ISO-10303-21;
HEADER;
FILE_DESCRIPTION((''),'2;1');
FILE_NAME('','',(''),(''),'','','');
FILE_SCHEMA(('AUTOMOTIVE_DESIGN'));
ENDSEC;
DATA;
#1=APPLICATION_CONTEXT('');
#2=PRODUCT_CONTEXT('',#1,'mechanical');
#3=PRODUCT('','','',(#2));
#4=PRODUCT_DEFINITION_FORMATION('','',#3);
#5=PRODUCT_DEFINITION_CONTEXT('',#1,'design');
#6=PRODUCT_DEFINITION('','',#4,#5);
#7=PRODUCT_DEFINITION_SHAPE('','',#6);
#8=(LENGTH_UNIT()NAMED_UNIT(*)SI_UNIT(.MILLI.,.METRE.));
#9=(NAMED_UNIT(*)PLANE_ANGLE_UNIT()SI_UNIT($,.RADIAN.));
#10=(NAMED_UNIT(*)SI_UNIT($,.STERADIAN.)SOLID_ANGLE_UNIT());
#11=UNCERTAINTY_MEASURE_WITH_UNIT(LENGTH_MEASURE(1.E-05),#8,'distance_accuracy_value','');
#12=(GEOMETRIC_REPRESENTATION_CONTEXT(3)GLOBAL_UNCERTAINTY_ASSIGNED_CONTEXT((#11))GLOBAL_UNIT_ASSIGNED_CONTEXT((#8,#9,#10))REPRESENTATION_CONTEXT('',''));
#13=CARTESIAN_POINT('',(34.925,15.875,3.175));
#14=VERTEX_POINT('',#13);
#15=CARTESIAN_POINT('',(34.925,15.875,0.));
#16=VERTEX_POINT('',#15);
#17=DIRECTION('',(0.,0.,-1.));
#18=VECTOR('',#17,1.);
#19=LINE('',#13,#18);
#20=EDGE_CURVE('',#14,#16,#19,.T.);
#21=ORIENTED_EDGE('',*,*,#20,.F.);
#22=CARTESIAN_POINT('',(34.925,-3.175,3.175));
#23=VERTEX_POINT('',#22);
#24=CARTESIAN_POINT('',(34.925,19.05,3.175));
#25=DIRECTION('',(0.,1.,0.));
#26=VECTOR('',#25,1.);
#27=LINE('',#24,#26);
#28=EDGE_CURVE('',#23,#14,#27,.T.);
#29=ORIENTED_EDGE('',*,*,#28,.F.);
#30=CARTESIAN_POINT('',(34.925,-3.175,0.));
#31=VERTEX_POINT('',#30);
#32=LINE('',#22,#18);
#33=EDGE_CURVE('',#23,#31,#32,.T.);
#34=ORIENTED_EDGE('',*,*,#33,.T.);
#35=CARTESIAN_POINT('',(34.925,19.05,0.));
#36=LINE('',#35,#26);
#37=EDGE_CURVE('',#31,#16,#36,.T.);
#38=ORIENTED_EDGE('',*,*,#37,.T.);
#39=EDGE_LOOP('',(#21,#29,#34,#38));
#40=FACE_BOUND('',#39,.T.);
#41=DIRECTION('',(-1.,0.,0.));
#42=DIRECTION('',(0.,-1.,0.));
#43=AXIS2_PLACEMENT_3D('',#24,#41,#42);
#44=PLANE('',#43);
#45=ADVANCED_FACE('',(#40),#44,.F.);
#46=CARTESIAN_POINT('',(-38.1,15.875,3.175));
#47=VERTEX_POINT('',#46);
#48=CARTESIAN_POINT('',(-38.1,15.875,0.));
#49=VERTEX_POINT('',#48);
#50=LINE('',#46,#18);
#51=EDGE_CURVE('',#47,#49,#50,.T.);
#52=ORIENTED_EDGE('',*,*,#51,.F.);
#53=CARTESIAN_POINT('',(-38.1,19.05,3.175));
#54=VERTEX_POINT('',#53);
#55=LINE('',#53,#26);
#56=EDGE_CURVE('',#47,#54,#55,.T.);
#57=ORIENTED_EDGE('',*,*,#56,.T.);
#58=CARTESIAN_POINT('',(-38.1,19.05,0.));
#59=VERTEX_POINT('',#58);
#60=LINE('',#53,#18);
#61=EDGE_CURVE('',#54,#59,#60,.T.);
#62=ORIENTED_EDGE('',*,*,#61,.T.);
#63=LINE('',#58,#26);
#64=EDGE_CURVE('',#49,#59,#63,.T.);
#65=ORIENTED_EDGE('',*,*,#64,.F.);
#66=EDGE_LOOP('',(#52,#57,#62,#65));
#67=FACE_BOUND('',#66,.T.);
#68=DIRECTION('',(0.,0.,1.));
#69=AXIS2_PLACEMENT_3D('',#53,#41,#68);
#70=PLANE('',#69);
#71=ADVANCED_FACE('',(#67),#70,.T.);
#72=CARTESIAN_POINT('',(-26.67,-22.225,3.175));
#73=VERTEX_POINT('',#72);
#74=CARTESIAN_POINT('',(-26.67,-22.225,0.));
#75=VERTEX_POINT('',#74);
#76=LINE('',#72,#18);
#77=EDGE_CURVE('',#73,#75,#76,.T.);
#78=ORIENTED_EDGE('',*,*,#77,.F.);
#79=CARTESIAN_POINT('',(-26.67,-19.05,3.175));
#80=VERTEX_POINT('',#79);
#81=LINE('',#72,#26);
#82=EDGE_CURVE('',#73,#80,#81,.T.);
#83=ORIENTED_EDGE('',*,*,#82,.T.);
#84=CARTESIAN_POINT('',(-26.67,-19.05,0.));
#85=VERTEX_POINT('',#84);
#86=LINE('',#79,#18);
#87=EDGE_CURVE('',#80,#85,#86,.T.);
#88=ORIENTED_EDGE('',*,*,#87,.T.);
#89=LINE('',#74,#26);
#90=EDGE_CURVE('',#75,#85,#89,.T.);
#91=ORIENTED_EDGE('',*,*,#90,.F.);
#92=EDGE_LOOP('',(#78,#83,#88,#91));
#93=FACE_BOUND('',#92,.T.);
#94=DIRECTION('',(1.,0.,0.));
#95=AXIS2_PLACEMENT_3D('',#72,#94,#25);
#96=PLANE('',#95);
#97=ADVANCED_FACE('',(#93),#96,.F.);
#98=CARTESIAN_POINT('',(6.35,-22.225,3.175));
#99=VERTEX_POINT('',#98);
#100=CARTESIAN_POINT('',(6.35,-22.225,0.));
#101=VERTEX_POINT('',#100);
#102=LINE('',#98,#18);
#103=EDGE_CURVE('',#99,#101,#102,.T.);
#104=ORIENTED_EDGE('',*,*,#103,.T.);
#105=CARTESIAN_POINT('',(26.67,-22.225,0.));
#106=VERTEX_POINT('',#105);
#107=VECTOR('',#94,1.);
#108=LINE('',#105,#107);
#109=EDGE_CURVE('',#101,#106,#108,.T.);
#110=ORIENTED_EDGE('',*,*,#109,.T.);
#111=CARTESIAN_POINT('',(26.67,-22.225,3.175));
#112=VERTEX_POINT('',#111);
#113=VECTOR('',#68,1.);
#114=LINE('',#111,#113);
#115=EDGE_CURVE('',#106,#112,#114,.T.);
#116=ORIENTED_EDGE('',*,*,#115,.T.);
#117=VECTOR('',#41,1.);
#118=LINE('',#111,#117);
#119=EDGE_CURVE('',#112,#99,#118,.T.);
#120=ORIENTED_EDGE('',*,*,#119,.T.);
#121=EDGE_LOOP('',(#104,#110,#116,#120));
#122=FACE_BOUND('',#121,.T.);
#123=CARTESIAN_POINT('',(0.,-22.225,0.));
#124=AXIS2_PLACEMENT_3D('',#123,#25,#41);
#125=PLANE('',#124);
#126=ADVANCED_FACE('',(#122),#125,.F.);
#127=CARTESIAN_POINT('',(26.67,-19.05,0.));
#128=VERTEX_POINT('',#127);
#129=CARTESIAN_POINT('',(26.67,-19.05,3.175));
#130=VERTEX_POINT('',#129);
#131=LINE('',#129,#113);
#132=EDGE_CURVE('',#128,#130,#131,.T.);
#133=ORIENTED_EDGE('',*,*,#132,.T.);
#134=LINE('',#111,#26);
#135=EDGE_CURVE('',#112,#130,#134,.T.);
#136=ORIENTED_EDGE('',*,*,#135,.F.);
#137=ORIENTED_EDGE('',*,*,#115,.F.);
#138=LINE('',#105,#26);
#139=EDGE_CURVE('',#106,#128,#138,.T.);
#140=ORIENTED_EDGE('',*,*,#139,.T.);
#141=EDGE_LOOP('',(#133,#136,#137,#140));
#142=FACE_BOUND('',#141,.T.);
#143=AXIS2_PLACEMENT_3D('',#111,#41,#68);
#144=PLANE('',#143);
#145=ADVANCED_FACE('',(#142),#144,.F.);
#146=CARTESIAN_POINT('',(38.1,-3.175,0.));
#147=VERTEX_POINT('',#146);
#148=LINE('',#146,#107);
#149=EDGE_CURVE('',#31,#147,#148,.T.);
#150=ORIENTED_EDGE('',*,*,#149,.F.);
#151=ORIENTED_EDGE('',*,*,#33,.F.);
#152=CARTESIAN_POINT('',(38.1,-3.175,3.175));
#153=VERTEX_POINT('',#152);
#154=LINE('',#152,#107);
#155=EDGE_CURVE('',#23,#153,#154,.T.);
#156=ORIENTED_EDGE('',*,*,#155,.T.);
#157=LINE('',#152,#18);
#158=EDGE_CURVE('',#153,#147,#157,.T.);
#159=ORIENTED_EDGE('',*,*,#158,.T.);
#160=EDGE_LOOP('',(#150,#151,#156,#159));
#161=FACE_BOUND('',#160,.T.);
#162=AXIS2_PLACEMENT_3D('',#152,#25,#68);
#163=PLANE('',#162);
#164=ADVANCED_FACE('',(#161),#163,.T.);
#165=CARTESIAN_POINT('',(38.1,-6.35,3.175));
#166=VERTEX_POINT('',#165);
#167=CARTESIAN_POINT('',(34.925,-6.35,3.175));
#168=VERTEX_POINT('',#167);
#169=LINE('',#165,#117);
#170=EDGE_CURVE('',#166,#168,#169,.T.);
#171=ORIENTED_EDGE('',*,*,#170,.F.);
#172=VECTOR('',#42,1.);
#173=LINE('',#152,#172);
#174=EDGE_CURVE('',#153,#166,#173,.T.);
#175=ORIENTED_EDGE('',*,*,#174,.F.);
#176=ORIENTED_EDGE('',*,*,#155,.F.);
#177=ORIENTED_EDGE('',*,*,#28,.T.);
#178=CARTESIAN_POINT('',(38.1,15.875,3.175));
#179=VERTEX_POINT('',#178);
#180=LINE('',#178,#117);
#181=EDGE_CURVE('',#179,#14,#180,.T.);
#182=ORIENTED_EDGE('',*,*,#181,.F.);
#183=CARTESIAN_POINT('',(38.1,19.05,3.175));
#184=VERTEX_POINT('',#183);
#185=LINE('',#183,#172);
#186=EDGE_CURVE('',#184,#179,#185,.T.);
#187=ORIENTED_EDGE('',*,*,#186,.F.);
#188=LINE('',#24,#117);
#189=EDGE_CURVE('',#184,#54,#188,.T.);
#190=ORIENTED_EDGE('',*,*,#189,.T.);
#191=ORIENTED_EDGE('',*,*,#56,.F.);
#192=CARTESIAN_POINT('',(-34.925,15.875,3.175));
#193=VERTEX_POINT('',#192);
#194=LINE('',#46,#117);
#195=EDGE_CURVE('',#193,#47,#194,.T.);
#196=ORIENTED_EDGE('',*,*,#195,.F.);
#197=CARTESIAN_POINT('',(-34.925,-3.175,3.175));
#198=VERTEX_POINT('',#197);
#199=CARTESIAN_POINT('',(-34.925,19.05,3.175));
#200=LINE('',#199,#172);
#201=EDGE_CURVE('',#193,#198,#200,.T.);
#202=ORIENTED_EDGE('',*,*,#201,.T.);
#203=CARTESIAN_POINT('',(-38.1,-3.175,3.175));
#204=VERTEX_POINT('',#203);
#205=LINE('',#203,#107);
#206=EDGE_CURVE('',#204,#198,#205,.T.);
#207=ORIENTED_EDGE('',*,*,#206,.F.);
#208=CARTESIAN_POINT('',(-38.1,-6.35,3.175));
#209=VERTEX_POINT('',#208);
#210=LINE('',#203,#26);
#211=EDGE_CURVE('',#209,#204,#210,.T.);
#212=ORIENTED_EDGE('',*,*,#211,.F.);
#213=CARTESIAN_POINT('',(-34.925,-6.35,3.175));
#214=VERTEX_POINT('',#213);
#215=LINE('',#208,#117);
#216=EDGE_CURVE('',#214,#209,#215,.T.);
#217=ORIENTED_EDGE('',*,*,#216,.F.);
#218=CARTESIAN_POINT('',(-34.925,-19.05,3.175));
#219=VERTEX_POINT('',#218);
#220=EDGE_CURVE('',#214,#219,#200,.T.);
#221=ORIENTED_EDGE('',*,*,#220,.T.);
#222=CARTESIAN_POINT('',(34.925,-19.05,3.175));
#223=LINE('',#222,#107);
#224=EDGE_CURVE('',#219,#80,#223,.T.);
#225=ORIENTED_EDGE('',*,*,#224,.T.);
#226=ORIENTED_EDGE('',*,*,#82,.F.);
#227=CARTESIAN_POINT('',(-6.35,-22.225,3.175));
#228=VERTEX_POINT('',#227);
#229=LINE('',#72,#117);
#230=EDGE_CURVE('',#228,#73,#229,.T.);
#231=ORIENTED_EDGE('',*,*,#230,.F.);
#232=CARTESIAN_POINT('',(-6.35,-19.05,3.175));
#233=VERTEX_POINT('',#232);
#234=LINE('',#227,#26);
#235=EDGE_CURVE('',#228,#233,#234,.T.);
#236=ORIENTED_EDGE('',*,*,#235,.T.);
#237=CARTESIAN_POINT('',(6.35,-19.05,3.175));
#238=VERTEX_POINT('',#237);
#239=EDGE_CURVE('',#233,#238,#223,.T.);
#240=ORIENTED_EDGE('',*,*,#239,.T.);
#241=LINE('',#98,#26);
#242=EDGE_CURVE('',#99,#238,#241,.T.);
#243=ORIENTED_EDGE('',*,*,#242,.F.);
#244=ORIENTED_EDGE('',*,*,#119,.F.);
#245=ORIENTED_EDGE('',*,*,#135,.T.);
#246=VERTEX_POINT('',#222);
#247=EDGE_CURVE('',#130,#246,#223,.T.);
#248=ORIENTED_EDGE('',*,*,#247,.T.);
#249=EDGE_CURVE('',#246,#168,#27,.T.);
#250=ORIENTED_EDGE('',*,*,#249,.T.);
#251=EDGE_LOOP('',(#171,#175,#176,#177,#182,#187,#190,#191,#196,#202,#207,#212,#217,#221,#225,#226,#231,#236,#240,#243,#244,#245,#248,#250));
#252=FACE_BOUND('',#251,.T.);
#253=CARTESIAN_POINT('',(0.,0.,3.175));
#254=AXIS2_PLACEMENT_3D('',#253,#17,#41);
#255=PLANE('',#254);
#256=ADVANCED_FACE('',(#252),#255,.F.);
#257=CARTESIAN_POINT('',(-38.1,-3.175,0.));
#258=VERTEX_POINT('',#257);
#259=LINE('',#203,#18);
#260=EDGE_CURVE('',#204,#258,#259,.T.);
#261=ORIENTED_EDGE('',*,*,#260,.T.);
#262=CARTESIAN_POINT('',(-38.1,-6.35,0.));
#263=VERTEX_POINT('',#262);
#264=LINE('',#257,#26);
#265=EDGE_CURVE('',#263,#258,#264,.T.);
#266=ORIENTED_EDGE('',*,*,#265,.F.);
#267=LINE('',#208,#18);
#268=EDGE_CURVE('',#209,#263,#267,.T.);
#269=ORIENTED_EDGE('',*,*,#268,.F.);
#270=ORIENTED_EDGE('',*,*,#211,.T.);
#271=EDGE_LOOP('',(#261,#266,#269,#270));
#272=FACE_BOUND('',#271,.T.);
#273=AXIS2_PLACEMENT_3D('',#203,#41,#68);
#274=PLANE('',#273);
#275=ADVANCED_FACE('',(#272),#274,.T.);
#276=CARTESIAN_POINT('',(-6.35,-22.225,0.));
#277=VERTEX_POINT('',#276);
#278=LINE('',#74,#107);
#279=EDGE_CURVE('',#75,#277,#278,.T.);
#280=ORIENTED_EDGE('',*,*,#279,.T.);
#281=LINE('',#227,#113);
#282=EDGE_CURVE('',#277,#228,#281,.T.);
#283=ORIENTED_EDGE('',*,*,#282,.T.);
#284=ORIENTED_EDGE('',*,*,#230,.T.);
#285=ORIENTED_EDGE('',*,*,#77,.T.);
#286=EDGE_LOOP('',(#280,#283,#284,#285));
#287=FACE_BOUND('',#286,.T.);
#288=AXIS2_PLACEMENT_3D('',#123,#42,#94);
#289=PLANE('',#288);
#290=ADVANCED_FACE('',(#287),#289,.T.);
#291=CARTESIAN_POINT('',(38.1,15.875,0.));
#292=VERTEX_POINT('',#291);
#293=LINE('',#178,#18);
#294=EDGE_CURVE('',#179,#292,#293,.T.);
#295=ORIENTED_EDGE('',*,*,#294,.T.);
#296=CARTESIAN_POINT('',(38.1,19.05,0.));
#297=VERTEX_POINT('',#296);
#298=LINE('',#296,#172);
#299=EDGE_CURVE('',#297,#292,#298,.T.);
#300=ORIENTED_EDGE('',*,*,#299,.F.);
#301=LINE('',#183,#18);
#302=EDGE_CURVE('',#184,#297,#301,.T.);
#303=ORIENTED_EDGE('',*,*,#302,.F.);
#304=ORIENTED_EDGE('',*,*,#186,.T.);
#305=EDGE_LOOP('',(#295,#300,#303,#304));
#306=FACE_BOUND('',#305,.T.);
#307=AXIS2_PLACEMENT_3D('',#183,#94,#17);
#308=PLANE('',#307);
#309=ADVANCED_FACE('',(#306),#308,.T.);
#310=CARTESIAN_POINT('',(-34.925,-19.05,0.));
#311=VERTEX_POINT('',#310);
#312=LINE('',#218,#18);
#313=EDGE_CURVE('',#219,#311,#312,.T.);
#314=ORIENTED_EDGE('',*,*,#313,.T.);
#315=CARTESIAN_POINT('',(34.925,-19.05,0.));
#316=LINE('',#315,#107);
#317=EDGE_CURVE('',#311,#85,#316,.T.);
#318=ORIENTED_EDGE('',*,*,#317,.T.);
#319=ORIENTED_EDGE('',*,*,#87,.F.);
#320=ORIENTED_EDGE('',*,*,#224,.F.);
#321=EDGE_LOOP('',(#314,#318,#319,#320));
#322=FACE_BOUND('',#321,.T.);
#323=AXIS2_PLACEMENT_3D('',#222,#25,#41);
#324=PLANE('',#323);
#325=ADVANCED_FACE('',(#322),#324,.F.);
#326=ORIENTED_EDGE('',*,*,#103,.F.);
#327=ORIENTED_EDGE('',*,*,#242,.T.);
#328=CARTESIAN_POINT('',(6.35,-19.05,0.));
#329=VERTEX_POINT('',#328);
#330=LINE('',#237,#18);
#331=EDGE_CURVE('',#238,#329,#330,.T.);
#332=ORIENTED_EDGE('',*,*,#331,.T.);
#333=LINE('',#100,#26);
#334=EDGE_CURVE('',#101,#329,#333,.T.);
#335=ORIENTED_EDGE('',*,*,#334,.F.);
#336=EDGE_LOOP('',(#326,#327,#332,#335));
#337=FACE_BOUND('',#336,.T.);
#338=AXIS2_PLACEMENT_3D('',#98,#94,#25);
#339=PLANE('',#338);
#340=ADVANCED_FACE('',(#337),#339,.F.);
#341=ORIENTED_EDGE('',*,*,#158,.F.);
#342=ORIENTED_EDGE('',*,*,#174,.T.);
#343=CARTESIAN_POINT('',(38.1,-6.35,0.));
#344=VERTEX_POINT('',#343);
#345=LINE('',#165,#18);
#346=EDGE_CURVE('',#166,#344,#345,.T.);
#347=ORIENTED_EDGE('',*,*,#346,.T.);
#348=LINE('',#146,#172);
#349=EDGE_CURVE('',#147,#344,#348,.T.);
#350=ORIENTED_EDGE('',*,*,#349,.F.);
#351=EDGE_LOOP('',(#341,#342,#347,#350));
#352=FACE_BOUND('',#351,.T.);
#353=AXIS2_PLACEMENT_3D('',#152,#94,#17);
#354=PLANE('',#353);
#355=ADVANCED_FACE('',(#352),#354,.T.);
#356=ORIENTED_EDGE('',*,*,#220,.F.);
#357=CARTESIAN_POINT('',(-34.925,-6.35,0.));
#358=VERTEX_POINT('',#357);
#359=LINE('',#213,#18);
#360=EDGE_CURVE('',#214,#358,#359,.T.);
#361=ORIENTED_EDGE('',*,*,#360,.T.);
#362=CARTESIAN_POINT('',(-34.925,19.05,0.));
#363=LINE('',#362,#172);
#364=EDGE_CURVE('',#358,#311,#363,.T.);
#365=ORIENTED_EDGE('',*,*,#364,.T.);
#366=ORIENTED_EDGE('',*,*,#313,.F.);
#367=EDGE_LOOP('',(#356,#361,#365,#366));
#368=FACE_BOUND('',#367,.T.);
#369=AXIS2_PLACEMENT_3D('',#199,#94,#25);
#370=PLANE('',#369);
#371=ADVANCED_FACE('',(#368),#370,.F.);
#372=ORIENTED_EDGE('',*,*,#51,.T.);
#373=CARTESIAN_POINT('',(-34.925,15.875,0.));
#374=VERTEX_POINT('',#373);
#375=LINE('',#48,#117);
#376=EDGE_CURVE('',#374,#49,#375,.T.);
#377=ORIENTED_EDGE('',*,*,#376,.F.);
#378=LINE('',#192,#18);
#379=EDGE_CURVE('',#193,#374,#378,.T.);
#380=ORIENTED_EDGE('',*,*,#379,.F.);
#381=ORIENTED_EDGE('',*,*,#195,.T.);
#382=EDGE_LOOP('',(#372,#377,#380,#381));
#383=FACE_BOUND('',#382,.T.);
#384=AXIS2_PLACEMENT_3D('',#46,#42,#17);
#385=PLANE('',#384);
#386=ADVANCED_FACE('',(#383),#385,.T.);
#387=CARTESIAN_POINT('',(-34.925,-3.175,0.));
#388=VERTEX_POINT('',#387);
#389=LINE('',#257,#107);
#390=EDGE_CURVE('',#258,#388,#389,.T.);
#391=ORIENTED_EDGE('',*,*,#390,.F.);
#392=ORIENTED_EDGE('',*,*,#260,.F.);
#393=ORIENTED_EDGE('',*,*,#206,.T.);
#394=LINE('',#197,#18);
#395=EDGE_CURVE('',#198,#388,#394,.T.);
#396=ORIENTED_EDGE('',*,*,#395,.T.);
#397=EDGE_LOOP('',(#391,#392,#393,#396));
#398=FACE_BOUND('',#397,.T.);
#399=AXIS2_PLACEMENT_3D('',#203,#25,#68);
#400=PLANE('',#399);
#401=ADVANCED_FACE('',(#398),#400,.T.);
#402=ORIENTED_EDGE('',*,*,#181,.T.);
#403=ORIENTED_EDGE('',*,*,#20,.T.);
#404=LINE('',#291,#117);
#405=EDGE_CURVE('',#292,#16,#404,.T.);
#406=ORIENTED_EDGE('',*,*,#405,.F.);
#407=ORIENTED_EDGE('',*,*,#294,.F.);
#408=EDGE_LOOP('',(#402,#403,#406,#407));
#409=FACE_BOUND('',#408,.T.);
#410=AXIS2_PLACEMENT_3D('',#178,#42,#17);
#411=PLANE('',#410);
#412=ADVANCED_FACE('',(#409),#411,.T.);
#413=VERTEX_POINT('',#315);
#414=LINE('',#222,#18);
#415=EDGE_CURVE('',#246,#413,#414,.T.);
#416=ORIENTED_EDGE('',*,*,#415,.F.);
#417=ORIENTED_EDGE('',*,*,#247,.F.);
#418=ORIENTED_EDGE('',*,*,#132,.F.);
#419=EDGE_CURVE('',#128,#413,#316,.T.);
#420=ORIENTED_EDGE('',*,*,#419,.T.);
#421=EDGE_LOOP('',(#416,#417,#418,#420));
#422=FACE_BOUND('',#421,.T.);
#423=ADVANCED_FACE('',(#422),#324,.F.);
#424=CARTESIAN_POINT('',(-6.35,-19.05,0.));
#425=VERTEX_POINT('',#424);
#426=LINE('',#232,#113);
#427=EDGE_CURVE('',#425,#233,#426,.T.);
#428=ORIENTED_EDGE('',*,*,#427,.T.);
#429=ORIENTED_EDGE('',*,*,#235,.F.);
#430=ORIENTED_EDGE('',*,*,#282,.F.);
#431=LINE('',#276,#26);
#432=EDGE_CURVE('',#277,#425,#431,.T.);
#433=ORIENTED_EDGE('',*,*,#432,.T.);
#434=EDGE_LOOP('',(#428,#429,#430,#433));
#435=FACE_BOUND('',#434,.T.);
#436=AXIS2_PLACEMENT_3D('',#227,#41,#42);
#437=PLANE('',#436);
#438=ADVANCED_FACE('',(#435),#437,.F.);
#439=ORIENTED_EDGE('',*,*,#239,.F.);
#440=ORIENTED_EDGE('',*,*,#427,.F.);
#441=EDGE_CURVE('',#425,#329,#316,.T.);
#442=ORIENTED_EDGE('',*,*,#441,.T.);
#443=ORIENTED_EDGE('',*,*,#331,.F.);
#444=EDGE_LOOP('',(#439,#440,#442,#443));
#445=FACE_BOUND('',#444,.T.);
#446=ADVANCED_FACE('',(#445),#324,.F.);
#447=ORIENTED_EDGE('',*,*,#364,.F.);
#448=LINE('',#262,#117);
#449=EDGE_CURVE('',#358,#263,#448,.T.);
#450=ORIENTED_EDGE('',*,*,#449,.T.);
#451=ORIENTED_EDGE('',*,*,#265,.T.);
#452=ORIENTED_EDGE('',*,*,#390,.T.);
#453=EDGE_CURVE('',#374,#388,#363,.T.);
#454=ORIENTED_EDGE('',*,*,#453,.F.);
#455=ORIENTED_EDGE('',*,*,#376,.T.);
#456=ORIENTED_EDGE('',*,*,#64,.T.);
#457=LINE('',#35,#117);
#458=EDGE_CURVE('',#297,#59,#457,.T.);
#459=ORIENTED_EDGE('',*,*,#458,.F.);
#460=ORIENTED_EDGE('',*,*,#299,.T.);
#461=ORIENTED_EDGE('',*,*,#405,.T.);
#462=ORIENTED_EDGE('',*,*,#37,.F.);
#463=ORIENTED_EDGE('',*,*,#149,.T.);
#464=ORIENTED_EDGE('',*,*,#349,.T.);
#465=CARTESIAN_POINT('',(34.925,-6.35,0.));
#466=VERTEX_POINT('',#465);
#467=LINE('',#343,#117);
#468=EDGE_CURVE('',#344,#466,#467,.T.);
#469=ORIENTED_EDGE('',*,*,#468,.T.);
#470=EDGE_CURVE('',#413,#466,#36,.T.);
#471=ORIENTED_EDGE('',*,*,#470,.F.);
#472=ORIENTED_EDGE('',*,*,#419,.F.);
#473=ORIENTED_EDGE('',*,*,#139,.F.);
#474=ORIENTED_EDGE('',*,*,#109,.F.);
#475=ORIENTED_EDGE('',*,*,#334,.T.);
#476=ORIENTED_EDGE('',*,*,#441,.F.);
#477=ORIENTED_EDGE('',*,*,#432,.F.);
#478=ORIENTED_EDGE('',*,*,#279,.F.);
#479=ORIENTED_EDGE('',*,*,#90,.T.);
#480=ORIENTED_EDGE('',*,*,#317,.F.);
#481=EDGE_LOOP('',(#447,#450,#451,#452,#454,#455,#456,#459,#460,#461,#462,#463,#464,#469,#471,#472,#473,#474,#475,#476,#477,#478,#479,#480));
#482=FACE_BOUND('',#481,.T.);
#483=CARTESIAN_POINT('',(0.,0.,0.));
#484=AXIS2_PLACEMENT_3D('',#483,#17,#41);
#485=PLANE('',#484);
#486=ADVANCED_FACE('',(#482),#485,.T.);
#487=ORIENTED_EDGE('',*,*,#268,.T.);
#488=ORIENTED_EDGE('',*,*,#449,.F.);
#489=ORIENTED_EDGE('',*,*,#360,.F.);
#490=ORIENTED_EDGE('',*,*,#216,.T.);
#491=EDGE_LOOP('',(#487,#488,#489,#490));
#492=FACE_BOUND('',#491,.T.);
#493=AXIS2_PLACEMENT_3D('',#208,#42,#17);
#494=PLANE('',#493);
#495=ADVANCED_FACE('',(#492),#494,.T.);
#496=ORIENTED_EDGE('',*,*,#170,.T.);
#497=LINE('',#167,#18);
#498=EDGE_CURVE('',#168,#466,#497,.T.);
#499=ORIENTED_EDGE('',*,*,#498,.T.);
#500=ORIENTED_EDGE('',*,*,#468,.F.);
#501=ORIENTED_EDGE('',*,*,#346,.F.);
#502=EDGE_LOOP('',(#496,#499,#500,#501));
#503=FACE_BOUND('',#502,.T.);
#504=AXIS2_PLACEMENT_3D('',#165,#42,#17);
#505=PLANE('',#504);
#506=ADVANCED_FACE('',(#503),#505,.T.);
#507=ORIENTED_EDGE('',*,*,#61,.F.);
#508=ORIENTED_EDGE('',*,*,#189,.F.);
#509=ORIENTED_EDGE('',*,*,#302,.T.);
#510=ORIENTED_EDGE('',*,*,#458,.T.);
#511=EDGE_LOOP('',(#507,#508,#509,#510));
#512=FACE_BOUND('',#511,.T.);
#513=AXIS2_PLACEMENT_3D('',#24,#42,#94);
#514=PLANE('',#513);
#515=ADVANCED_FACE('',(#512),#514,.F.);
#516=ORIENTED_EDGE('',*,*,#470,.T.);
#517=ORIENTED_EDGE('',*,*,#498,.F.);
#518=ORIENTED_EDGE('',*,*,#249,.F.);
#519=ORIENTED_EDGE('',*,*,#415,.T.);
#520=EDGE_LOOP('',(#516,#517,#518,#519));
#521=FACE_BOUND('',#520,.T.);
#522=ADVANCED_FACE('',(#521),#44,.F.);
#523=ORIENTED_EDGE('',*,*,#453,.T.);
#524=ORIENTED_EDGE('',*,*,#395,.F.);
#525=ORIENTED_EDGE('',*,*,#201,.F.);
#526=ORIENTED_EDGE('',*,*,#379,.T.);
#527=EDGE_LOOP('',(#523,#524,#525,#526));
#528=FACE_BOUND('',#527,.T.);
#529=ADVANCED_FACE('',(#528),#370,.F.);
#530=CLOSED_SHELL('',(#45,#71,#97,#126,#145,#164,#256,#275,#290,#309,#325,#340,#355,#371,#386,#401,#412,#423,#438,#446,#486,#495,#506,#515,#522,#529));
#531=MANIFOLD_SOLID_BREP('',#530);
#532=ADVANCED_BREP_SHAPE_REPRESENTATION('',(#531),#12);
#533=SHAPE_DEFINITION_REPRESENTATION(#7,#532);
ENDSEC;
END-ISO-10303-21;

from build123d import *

# Parameters (mm, degrees)
SKETCH1_W           = 69.85
SKETCH1_H           = 38.1
BOSS_EXTRUDE1_DEPTH = 3.175
SKETCH2_W           = 3.175
SKETCH2_H           = 3.175
BOSS_EXTRUDE2_DEPTH = 3.175
SKETCH3_W           = 20.32
SKETCH3_H           = 3.175
BOSS_EXTRUDE3_DEPTH = 3.175


with BuildPart() as part:
    # Sketch1 → Boss-Extrude1 (new body)
    with BuildSketch(Plane.XY):
        Rectangle(SKETCH1_W, SKETCH1_H)
    extrude(amount=BOSS_EXTRUDE1_DEPTH)

    # Sketch2 → Boss-Extrude2 (add)
    with BuildSketch(Plane(origin=(0, 0, 0), x_dir=(-1, 0, 0), z_dir=(0, 0, -1))):
        with Locations((-36.5125, 17.4625)):
            Rectangle(SKETCH2_W, SKETCH2_H)
        with Locations((-36.5125, -4.7625)):
            Rectangle(SKETCH2_W, SKETCH2_H)
        with Locations((36.5125, 17.4625)):
            Rectangle(SKETCH2_W, SKETCH2_H)
        with Locations((36.5125, -4.7625)):
            Rectangle(SKETCH2_W, SKETCH2_H)
    extrude(amount=-BOSS_EXTRUDE2_DEPTH)

    # Sketch3 → Boss-Extrude3 (add)
    with BuildSketch(Plane.XZ.offset(19.05)):
        with Locations((-16.51, 1.5875)):
            Rectangle(SKETCH3_W, SKETCH3_H)
        with Locations((16.51, 1.5875)):
            Rectangle(SKETCH3_W, SKETCH3_H)
    extrude(amount=BOSS_EXTRUDE3_DEPTH)


solid = part.part
